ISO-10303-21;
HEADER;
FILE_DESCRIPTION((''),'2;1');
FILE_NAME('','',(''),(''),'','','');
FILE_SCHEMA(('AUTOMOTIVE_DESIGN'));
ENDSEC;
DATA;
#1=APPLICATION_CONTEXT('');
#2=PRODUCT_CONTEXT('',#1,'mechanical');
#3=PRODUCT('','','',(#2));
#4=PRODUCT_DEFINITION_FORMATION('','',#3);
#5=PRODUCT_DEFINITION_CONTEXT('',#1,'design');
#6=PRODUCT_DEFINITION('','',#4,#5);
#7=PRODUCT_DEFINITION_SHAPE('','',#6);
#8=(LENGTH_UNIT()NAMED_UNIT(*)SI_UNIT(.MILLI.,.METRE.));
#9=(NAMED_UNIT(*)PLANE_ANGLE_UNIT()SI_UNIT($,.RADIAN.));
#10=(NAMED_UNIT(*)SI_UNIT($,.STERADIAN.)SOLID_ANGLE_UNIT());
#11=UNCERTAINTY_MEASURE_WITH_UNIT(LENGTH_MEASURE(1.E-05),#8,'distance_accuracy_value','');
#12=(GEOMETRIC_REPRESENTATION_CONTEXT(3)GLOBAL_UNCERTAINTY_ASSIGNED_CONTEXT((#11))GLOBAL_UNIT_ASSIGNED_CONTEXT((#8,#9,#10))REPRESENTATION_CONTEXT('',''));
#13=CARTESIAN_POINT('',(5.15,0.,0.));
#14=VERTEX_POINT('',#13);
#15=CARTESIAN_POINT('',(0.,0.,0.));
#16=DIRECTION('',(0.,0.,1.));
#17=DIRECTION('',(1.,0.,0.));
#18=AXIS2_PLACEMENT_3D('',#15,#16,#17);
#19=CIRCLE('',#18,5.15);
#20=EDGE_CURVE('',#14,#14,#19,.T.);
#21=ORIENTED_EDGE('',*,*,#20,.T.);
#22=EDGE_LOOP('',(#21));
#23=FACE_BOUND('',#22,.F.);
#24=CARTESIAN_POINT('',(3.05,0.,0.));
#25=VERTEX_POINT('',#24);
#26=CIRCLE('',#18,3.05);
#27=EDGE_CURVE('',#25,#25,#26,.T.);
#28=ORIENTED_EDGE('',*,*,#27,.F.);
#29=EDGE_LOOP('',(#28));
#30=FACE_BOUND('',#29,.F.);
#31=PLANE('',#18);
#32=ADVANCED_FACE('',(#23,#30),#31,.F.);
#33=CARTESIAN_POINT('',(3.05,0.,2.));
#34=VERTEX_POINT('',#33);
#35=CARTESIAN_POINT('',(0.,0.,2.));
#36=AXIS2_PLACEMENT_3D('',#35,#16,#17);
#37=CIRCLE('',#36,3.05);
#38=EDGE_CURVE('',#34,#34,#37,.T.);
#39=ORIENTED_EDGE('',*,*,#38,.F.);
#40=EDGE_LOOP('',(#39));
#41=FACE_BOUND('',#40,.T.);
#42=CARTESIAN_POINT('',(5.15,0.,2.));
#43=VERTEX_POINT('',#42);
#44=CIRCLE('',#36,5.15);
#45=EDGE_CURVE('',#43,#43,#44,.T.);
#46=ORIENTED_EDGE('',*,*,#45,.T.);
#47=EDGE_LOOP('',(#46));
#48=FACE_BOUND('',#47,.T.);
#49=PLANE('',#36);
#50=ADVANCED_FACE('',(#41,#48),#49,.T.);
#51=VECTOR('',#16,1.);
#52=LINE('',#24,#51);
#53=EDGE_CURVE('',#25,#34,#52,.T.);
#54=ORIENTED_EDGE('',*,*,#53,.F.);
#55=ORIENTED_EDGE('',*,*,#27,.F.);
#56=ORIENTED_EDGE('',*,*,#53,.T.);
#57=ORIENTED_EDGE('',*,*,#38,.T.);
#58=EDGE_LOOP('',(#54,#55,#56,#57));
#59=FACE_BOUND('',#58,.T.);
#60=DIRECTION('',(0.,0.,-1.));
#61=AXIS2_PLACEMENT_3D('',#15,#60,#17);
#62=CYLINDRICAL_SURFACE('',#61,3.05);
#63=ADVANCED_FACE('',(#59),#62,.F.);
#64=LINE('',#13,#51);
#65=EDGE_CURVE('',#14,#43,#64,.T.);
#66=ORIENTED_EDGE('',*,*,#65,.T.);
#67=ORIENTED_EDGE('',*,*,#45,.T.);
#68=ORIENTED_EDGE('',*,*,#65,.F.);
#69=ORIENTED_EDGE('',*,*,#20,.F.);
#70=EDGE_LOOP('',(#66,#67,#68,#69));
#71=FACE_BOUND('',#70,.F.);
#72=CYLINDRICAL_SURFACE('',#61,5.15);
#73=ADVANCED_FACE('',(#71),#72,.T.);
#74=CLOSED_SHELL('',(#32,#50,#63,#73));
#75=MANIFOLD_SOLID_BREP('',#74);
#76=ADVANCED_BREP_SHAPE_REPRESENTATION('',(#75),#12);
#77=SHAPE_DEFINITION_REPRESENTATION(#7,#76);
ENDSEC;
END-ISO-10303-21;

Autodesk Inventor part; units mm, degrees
ref_plane "YZ Plane" through (0, 0, 0) normal (1, 0, 0) x (0, 1, 0)
ref_plane "XZ Plane" through (0, 0, 0) normal (0, 1, 0) x (-1, 0, 0)
ref_plane "XY Plane" through (0, 0, 0) normal (0, 0, 1) x (1, 0, 0)
sketch "スケッチ1" plane through (0, 0, 0) normal (0, 0, 1) x (1, 0, 0)
  circle A0 centre (0, 0) radius 3.05
  circle A1 centre (0, 0) radius 5.15
  dimension "d0" = 6.1
  dimension "d1" = 10.3
extrude "押し出し1" add sketch "スケッチ1" along normal blind 2
properties part number "outer_spacer"
